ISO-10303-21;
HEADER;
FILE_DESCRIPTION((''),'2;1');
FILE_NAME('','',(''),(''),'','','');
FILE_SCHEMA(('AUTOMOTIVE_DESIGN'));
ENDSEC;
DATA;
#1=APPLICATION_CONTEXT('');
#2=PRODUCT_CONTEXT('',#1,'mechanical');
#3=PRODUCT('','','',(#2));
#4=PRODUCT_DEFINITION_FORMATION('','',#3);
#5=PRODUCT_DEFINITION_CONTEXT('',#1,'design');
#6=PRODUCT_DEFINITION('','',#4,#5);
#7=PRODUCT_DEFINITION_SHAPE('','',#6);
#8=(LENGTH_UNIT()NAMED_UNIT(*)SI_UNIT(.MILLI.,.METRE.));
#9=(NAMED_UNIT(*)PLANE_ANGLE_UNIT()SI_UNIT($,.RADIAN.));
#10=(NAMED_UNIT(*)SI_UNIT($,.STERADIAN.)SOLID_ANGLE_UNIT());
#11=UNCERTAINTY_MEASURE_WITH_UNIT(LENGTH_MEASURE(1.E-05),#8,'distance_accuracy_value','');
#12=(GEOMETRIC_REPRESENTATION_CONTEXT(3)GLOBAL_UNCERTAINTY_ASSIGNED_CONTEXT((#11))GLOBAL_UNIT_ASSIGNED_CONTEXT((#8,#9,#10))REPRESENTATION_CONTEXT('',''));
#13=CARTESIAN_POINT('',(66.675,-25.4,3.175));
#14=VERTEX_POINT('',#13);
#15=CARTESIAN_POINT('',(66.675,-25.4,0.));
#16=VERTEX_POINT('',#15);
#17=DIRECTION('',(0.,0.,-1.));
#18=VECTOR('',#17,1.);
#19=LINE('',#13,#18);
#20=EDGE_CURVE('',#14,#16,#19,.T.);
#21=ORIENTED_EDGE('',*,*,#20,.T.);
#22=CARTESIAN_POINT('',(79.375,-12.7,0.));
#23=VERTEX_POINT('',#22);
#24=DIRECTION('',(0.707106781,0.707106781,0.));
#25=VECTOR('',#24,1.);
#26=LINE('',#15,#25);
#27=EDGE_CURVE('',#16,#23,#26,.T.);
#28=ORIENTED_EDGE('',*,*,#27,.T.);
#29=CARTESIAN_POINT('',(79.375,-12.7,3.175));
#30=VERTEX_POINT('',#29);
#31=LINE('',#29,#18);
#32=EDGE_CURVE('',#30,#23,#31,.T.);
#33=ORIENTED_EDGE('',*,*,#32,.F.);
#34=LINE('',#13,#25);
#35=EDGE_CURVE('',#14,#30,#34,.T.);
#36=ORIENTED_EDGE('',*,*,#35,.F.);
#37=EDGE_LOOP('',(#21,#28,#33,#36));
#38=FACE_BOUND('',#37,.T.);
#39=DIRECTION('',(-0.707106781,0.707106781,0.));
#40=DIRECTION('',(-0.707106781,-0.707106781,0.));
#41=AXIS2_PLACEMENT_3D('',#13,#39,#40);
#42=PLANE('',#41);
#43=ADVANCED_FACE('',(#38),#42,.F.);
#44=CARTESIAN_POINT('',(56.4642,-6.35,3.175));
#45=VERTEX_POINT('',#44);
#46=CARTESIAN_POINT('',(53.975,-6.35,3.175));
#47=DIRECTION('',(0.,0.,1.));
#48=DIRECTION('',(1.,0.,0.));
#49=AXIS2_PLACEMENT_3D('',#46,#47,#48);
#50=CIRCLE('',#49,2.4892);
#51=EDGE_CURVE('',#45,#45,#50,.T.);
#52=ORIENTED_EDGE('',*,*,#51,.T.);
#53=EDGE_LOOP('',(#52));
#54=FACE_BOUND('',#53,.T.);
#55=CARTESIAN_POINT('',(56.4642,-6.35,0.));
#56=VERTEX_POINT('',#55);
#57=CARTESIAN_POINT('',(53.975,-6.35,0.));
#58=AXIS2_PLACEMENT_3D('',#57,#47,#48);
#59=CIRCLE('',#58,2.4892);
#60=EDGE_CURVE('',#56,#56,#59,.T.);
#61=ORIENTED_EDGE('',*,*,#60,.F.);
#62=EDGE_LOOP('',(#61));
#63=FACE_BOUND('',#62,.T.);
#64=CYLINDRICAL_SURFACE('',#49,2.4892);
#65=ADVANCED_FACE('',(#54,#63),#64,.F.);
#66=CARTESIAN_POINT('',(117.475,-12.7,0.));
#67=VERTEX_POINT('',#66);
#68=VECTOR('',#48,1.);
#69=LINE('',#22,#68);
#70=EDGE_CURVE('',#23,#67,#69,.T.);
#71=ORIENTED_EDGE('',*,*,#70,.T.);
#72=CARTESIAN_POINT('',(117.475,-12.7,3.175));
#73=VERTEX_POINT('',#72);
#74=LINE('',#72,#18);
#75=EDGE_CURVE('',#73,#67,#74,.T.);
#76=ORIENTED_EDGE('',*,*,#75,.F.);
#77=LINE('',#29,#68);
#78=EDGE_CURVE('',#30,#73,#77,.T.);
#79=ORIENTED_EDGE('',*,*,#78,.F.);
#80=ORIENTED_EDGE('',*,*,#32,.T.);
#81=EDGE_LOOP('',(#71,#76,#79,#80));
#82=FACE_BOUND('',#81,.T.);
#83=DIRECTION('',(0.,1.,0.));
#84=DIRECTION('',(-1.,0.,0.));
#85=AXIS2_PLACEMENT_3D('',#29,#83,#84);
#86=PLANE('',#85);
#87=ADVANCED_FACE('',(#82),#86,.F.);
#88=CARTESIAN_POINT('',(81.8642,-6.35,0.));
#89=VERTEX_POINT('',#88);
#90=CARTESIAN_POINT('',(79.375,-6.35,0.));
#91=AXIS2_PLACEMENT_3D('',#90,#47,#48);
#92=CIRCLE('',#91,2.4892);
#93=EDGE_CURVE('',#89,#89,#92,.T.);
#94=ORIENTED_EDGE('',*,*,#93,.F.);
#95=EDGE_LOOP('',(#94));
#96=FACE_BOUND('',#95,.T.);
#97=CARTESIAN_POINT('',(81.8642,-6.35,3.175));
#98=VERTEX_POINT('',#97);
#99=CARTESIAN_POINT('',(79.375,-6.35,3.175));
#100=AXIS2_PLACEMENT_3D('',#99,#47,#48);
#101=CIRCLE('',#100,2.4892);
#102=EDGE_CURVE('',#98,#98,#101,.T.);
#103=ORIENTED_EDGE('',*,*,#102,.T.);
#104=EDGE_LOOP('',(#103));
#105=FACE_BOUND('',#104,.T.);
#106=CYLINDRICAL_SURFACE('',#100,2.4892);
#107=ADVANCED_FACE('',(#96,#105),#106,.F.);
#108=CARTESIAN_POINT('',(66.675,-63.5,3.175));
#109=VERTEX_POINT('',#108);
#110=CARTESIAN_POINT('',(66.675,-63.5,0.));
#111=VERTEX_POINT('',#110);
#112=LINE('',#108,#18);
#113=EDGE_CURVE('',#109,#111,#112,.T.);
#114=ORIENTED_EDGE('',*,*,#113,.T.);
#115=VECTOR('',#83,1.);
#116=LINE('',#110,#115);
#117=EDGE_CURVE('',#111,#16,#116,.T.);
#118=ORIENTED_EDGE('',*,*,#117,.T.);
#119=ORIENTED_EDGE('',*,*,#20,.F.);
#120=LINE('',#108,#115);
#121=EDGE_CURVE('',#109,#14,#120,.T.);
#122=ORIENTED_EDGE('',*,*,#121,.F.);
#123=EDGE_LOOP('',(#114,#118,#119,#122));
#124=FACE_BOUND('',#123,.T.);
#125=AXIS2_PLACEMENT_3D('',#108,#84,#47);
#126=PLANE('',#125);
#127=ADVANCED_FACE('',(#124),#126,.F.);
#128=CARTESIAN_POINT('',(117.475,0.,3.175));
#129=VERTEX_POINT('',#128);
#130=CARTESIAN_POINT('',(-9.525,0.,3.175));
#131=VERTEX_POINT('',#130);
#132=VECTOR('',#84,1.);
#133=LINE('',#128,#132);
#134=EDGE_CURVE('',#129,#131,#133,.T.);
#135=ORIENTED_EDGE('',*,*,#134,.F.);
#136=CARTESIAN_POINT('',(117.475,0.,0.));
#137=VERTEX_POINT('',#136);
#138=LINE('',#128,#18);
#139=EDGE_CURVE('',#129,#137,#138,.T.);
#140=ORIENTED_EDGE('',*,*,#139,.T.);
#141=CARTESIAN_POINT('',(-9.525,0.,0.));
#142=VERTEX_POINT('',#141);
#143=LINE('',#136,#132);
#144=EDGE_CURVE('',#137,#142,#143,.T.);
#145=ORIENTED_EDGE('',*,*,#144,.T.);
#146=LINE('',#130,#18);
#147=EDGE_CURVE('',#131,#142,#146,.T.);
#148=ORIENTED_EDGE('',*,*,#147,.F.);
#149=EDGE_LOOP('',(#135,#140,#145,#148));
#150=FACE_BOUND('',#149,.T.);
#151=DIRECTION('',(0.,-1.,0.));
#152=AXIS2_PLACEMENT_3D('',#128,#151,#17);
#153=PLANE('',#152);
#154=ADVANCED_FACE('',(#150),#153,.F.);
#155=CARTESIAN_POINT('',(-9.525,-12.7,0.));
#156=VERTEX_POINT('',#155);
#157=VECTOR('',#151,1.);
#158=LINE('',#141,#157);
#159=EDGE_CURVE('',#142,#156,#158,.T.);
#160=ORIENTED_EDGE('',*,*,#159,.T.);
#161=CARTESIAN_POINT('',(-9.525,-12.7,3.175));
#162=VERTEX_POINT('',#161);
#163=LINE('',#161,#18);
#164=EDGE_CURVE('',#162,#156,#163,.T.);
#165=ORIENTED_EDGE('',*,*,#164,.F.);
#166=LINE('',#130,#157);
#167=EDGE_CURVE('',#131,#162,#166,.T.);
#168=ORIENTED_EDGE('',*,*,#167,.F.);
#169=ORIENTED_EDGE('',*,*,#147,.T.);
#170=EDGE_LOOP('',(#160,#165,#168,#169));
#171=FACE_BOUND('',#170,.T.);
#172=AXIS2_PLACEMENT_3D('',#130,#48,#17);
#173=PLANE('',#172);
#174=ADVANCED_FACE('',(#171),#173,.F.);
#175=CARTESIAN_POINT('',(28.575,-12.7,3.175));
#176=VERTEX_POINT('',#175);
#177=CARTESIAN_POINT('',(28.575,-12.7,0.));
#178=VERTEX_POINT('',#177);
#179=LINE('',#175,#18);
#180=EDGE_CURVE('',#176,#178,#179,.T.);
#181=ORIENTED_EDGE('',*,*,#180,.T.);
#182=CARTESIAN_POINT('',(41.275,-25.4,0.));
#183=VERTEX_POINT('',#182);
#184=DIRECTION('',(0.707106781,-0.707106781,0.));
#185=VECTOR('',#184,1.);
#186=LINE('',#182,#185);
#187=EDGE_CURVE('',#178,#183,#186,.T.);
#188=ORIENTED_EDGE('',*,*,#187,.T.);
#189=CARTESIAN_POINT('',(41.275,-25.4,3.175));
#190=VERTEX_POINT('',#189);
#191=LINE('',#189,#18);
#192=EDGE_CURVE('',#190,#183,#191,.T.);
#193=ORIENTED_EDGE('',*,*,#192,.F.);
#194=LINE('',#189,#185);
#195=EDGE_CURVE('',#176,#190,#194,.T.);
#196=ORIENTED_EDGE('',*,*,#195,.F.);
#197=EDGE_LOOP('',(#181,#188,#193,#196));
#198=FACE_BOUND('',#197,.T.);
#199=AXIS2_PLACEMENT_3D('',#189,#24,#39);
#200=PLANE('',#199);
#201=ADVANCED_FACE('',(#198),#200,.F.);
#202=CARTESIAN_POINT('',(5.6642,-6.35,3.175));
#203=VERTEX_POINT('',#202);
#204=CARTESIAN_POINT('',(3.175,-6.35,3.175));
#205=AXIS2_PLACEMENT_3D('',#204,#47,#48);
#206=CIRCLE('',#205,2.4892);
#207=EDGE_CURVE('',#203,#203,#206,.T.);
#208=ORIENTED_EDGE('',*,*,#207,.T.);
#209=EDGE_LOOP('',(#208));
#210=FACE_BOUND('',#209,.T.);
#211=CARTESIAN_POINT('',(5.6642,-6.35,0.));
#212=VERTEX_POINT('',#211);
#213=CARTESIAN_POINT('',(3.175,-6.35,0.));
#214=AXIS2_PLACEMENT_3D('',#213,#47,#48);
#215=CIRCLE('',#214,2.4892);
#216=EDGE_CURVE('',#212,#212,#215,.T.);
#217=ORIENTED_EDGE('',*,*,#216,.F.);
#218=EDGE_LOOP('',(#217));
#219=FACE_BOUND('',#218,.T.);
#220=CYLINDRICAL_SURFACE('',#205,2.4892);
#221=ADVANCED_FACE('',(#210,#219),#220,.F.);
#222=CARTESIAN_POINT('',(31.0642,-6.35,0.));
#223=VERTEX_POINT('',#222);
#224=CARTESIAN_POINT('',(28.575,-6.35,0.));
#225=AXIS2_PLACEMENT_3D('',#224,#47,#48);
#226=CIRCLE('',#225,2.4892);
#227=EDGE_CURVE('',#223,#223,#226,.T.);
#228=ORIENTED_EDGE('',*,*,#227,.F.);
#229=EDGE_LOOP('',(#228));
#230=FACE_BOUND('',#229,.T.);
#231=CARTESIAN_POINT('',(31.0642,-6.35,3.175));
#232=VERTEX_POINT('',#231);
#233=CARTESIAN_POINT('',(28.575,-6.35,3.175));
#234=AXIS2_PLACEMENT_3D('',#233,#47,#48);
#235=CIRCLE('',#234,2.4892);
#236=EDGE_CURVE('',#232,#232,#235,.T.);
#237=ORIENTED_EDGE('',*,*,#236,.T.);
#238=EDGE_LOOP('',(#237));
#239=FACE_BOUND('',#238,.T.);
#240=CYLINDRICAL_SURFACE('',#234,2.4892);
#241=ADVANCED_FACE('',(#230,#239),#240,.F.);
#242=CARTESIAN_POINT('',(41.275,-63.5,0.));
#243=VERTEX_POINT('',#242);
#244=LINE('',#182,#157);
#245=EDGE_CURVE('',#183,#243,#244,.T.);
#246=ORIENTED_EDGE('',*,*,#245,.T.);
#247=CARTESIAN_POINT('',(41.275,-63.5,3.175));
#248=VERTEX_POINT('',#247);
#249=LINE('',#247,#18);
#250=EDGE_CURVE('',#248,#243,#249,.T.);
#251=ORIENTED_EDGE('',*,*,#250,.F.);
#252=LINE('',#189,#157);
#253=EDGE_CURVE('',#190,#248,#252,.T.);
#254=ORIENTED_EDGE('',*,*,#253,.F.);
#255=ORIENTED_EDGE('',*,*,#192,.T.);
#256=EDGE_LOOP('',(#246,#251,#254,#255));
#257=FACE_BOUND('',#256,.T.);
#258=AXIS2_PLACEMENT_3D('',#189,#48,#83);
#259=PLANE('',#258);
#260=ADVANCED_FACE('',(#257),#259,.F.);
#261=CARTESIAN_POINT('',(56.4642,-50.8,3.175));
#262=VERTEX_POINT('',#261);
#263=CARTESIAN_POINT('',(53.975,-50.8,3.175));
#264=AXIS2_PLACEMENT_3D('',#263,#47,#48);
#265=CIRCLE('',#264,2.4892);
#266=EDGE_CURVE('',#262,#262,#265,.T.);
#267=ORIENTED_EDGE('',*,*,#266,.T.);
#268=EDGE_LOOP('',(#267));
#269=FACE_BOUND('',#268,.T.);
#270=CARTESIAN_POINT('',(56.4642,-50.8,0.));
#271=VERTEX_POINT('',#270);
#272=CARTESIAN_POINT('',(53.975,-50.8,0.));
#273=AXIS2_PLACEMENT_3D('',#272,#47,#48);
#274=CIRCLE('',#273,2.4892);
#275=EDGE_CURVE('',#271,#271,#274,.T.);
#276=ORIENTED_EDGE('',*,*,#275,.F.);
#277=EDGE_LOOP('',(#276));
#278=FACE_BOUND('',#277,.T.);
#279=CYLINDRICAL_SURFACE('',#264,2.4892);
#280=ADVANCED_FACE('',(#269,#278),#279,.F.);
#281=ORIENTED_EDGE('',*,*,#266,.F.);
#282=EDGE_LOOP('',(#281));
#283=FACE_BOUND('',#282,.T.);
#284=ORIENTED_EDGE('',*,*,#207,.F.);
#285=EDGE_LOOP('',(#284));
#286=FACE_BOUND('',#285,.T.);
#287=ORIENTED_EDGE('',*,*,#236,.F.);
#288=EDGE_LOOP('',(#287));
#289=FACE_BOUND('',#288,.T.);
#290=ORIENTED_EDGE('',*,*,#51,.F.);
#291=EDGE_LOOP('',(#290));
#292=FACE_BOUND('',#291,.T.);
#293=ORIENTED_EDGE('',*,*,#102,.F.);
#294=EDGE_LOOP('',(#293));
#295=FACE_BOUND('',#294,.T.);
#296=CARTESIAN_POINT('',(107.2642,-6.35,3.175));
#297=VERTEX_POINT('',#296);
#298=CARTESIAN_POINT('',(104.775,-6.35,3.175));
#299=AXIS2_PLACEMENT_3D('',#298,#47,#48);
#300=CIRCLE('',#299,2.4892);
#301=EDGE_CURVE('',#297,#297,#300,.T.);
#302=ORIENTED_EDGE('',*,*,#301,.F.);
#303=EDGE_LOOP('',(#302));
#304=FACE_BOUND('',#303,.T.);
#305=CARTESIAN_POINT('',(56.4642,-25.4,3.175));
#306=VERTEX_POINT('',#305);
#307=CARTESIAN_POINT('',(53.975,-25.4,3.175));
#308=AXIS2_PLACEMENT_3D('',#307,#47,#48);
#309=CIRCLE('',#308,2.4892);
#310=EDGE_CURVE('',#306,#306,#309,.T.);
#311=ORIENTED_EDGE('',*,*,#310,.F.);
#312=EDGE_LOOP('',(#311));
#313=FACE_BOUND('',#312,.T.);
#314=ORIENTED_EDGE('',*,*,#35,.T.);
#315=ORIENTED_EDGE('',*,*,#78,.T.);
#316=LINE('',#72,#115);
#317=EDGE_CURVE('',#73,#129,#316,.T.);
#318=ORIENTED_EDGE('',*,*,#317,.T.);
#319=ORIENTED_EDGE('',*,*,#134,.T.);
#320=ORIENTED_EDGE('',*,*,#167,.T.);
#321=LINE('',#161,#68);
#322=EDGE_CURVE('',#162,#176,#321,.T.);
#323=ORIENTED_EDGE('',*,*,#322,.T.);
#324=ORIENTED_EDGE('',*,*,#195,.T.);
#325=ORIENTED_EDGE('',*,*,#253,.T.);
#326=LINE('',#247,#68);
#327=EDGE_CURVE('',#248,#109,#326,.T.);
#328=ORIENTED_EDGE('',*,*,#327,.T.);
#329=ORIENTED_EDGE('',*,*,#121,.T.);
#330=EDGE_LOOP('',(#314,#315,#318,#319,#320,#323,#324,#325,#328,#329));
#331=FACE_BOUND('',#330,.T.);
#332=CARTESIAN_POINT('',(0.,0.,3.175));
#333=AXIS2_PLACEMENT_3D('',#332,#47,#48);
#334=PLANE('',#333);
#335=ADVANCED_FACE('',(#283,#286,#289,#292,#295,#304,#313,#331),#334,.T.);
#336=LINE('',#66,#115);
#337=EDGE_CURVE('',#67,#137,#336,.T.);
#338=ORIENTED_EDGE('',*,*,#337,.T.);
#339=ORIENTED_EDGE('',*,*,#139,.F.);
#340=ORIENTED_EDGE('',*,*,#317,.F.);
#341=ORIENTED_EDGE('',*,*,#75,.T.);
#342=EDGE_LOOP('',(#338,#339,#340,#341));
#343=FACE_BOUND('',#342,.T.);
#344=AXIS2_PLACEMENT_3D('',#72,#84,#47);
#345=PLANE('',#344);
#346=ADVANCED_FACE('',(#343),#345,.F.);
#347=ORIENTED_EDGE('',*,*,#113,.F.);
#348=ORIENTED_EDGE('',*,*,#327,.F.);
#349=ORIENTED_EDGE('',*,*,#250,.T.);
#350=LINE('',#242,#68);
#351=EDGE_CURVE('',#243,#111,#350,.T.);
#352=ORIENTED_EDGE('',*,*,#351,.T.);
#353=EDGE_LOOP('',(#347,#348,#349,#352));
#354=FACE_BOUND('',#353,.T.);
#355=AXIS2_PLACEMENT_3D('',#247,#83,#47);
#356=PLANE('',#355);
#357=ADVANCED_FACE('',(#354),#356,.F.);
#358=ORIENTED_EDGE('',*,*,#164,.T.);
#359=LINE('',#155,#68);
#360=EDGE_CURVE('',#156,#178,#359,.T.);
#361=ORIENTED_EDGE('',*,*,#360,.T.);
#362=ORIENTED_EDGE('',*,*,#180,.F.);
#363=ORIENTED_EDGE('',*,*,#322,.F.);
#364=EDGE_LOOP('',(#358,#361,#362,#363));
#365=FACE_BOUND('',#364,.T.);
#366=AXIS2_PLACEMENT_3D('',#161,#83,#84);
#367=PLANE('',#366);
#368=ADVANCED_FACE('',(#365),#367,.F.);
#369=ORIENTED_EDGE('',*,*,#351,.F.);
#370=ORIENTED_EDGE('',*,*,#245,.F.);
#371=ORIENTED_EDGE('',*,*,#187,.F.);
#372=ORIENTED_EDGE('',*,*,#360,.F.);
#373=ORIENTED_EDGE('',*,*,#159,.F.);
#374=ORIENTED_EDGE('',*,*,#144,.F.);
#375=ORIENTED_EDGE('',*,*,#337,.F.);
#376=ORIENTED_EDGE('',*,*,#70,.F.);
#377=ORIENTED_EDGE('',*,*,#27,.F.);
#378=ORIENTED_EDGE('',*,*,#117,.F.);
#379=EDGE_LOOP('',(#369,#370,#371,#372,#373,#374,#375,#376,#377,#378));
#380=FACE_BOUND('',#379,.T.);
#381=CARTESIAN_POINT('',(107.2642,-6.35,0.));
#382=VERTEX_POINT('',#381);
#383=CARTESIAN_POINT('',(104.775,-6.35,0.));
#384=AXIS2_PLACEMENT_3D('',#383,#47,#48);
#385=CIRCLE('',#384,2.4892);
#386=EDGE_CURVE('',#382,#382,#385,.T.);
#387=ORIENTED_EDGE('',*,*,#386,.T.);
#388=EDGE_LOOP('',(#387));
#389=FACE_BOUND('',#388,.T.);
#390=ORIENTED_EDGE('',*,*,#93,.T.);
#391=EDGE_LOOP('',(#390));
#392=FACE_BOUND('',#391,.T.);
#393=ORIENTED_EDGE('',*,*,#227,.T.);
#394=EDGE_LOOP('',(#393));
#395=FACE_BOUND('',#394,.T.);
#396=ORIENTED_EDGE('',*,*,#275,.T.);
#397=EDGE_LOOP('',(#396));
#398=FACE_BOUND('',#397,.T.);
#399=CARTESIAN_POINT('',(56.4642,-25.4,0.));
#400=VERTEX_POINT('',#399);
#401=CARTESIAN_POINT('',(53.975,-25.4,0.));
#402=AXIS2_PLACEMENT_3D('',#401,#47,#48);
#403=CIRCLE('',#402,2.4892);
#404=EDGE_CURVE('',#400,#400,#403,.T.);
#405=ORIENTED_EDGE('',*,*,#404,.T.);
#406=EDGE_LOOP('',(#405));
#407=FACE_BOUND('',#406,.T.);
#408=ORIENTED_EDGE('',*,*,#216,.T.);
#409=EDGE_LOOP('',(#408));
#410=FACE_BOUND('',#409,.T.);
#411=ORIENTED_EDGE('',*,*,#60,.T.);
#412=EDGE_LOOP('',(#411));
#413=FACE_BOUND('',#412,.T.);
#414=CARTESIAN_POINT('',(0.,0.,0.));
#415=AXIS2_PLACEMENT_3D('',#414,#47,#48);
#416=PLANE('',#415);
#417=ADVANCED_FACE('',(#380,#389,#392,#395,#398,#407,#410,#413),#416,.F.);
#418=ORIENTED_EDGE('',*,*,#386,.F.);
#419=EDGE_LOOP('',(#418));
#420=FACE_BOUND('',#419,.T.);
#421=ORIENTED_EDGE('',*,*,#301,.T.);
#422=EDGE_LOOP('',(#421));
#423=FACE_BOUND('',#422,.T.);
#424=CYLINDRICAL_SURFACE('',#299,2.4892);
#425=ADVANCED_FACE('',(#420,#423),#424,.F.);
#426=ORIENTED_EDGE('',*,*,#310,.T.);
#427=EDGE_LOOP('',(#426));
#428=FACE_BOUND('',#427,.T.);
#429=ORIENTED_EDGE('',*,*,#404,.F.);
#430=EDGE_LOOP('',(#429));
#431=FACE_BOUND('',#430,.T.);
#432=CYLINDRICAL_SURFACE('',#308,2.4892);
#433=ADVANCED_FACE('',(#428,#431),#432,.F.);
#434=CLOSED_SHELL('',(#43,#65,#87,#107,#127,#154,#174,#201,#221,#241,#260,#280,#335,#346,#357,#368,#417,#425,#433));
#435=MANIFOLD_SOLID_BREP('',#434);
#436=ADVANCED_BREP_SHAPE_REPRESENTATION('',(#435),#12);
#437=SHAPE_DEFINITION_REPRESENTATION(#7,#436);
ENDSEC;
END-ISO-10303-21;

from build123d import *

# Parameters (mm, degrees)
BOSS_EXTRUDE1_DEPTH    = 3.175
F_10_CLEARANCE_HOLE1_D = 4.9784


with BuildPart() as part:
    # Sketch1 → Boss-Extrude1 (new body)
    with BuildSketch(Plane.XY):
        Polygon((41.275, -25.4), (41.275, -63.5), (66.675, -63.5), (66.675, -25.4), (79.375, -12.7), (117.475, -12.7), (117.475, 0), (-9.525, 0), (-9.525, -12.7), (28.575, -12.7), align=None)
    extrude(amount=BOSS_EXTRUDE1_DEPTH)

    # #10 Clearance Hole1 (through all)
    with Locations(Plane.XY.offset(3.175)):
        with Locations((3.175, -6.35), (28.575, -6.35), (53.975, -6.35), (104.775, -6.35), (53.975, -25.4), (53.975, -50.8), (79.375, -6.35)):
            Hole(F_10_CLEARANCE_HOLE1_D / 2)


solid = part.part
